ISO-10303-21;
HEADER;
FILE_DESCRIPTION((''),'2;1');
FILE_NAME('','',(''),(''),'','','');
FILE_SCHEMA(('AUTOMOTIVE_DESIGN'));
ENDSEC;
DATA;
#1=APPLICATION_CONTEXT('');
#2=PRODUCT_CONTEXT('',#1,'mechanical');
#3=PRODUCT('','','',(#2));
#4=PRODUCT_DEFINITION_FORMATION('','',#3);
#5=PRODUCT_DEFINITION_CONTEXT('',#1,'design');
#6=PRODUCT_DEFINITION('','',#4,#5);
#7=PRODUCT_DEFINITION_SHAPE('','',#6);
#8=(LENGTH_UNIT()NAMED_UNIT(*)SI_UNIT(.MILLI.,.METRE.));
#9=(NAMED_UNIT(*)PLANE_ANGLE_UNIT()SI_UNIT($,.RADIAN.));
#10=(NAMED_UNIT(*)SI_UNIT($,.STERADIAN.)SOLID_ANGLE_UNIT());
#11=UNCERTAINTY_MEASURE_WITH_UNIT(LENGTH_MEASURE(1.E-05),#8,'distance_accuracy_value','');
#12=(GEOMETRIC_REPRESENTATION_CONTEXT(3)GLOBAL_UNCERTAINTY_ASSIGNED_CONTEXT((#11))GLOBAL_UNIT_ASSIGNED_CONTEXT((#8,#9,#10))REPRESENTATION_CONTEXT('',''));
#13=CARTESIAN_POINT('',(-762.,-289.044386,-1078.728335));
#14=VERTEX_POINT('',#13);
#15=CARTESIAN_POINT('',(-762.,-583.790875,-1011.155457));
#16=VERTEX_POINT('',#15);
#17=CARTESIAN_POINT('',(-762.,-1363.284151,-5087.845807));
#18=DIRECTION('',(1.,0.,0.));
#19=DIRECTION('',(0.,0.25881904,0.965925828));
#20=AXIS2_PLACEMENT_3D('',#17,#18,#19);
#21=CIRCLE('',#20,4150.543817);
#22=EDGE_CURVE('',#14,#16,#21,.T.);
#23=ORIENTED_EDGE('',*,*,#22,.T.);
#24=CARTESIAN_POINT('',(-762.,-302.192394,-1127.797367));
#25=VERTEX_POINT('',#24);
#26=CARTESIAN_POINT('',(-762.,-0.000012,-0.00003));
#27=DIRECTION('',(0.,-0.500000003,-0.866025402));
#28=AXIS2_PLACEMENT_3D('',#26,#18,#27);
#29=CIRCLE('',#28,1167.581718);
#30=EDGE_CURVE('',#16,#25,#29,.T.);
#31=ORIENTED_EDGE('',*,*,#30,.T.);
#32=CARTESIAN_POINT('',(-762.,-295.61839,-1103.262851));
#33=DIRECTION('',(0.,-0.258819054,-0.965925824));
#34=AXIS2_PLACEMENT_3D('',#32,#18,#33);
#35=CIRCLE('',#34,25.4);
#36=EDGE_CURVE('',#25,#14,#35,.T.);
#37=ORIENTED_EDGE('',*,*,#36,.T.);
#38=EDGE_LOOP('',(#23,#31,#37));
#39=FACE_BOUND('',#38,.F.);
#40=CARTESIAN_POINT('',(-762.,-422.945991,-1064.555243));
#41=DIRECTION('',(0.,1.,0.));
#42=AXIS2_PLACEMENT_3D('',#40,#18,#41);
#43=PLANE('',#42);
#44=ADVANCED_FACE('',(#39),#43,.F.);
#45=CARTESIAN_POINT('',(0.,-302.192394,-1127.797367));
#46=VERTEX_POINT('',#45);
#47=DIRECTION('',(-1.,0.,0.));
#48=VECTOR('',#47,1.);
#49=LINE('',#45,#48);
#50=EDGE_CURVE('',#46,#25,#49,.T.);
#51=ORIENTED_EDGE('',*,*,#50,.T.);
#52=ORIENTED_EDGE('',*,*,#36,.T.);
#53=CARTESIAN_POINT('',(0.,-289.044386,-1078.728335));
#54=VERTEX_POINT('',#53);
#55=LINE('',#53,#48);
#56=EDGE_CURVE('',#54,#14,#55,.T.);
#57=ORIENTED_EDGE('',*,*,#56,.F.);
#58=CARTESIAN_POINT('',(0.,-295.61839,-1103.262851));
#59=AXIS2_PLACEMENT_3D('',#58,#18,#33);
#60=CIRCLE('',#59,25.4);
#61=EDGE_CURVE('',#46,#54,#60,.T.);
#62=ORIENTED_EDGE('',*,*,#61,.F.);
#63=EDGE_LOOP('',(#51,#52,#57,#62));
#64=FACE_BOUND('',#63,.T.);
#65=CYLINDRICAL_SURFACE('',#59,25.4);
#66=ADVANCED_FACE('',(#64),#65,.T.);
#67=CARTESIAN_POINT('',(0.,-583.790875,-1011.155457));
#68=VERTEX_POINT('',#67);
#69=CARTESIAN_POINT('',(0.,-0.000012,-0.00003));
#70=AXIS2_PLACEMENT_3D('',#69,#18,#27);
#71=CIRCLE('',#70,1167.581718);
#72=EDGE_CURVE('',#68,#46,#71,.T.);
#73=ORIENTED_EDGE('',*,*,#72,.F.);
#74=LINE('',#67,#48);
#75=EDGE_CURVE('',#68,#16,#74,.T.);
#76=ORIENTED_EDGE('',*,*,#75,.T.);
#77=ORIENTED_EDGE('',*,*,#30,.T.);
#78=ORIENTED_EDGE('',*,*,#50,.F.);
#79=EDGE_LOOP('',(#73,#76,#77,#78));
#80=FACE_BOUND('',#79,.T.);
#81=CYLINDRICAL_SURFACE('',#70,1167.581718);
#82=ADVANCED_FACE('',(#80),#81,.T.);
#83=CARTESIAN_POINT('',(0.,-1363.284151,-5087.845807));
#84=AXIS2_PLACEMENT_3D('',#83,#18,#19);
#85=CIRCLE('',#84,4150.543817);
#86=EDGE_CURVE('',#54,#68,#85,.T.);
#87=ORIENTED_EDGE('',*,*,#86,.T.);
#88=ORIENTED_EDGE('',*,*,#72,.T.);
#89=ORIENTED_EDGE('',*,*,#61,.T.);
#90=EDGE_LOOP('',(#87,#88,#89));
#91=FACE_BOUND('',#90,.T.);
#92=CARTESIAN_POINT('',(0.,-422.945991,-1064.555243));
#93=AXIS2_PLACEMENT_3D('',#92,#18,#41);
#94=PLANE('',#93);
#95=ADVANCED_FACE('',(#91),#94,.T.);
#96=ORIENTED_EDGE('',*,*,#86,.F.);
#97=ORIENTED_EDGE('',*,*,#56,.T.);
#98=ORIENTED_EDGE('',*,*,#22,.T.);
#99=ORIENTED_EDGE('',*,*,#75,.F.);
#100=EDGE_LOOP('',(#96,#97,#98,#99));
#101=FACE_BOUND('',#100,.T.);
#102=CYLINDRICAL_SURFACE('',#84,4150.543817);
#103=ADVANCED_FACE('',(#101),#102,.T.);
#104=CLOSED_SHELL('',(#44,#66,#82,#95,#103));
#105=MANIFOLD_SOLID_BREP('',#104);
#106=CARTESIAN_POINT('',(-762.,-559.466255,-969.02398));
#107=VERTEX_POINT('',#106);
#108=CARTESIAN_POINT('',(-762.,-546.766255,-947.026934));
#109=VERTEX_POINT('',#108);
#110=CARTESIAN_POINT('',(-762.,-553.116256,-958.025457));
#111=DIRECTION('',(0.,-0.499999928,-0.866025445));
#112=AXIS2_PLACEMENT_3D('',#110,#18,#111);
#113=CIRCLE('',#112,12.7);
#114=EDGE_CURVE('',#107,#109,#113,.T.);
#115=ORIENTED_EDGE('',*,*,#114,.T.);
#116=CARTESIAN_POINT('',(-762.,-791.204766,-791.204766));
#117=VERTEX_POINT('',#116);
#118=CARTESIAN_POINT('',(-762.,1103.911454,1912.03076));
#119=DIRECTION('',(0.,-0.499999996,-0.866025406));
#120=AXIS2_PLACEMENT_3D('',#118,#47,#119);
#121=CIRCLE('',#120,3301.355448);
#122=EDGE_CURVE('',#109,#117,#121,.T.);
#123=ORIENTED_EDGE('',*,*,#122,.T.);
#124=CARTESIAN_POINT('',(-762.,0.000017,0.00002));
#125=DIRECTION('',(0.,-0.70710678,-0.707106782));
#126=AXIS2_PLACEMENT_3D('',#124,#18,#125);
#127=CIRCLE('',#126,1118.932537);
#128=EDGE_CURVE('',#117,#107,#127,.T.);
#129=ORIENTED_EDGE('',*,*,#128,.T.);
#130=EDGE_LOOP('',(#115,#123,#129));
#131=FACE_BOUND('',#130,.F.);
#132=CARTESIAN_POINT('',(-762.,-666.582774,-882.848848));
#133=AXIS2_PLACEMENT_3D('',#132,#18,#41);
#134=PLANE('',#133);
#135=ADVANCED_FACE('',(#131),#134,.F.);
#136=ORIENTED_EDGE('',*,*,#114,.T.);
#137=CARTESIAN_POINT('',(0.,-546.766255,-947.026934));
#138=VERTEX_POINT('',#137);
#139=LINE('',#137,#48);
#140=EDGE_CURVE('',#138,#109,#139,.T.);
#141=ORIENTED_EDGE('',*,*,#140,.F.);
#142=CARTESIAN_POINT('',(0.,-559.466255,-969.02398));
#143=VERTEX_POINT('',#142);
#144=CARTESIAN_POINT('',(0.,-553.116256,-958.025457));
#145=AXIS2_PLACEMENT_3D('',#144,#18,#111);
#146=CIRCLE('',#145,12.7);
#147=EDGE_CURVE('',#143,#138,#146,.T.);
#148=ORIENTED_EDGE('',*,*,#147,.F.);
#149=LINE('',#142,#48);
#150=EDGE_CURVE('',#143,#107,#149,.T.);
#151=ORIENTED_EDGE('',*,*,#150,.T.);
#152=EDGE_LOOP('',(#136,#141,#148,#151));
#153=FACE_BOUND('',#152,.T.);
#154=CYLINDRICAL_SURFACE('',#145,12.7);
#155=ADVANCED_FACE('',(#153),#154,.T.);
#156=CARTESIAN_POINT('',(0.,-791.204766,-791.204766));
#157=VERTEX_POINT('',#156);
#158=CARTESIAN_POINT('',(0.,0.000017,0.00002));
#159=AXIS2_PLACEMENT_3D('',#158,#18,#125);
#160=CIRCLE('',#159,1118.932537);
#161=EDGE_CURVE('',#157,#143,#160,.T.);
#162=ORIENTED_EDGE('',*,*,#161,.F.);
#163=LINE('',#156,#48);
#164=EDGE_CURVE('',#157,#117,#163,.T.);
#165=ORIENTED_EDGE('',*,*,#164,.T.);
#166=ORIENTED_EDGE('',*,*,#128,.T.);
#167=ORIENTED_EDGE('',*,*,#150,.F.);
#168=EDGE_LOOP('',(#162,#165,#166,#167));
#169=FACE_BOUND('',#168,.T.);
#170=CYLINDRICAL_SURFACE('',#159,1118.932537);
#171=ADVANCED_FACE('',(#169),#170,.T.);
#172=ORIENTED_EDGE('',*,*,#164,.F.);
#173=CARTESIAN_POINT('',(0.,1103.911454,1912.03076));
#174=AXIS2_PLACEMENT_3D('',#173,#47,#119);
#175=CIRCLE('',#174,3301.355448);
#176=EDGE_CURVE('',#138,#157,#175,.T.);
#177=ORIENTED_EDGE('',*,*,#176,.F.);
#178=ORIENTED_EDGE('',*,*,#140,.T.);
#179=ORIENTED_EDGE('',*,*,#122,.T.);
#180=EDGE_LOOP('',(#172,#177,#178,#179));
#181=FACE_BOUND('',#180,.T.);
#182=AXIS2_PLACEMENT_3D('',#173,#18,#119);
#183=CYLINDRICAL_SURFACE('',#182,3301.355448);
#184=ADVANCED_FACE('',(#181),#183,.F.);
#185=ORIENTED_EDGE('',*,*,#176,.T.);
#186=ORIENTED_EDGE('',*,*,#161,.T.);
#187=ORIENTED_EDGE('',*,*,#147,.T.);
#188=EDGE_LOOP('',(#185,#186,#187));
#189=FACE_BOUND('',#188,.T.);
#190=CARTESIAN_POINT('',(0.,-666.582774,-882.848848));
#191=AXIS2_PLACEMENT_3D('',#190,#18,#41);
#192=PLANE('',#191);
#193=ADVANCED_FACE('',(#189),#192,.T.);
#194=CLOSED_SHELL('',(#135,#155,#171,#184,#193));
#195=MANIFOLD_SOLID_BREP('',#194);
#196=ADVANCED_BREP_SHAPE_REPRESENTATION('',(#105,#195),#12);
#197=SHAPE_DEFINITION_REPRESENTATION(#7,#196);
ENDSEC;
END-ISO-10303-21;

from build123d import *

# Parameters (mm, degrees)
F1_DEPTH = 762
F3_DEPTH = 762


with BuildPart() as f1:
    # F0 (on Right) → F1 (new body)
    with BuildSketch(Plane.YZ):
        with BuildLine():
            ThreePointArc((-583.790875, -1011.155457), (-446.814192, -1078.704882), (-302.192394, -1127.797367))
            ThreePointArc((-302.192394, -1127.797367), (-271.083874, -1109.836855), (-289.044386, -1078.728335))
            ThreePointArc((-289.044386, -1078.728335), (-435.802038, -1042.256739), (-583.790875, -1011.155457))
        make_face()
    extrude(amount=-F1_DEPTH)


with BuildPart() as f3:
    # F2 (on Right) → F3 (new body)
    with BuildSketch(Plane.YZ):
        with BuildLine():
            ThreePointArc((-791.204766, -791.204766), (-681.162954, -887.708845), (-559.466255, -969.02398))
            ThreePointArc((-559.466255, -969.02398), (-542.117733, -964.375457), (-546.766255, -947.026934))
            ThreePointArc((-546.766255, -947.026934), (-670.696611, -871.800056), (-791.204766, -791.204766))
        make_face()
    extrude(amount=-F3_DEPTH)


solid = Compound([f1.part, f3.part])
